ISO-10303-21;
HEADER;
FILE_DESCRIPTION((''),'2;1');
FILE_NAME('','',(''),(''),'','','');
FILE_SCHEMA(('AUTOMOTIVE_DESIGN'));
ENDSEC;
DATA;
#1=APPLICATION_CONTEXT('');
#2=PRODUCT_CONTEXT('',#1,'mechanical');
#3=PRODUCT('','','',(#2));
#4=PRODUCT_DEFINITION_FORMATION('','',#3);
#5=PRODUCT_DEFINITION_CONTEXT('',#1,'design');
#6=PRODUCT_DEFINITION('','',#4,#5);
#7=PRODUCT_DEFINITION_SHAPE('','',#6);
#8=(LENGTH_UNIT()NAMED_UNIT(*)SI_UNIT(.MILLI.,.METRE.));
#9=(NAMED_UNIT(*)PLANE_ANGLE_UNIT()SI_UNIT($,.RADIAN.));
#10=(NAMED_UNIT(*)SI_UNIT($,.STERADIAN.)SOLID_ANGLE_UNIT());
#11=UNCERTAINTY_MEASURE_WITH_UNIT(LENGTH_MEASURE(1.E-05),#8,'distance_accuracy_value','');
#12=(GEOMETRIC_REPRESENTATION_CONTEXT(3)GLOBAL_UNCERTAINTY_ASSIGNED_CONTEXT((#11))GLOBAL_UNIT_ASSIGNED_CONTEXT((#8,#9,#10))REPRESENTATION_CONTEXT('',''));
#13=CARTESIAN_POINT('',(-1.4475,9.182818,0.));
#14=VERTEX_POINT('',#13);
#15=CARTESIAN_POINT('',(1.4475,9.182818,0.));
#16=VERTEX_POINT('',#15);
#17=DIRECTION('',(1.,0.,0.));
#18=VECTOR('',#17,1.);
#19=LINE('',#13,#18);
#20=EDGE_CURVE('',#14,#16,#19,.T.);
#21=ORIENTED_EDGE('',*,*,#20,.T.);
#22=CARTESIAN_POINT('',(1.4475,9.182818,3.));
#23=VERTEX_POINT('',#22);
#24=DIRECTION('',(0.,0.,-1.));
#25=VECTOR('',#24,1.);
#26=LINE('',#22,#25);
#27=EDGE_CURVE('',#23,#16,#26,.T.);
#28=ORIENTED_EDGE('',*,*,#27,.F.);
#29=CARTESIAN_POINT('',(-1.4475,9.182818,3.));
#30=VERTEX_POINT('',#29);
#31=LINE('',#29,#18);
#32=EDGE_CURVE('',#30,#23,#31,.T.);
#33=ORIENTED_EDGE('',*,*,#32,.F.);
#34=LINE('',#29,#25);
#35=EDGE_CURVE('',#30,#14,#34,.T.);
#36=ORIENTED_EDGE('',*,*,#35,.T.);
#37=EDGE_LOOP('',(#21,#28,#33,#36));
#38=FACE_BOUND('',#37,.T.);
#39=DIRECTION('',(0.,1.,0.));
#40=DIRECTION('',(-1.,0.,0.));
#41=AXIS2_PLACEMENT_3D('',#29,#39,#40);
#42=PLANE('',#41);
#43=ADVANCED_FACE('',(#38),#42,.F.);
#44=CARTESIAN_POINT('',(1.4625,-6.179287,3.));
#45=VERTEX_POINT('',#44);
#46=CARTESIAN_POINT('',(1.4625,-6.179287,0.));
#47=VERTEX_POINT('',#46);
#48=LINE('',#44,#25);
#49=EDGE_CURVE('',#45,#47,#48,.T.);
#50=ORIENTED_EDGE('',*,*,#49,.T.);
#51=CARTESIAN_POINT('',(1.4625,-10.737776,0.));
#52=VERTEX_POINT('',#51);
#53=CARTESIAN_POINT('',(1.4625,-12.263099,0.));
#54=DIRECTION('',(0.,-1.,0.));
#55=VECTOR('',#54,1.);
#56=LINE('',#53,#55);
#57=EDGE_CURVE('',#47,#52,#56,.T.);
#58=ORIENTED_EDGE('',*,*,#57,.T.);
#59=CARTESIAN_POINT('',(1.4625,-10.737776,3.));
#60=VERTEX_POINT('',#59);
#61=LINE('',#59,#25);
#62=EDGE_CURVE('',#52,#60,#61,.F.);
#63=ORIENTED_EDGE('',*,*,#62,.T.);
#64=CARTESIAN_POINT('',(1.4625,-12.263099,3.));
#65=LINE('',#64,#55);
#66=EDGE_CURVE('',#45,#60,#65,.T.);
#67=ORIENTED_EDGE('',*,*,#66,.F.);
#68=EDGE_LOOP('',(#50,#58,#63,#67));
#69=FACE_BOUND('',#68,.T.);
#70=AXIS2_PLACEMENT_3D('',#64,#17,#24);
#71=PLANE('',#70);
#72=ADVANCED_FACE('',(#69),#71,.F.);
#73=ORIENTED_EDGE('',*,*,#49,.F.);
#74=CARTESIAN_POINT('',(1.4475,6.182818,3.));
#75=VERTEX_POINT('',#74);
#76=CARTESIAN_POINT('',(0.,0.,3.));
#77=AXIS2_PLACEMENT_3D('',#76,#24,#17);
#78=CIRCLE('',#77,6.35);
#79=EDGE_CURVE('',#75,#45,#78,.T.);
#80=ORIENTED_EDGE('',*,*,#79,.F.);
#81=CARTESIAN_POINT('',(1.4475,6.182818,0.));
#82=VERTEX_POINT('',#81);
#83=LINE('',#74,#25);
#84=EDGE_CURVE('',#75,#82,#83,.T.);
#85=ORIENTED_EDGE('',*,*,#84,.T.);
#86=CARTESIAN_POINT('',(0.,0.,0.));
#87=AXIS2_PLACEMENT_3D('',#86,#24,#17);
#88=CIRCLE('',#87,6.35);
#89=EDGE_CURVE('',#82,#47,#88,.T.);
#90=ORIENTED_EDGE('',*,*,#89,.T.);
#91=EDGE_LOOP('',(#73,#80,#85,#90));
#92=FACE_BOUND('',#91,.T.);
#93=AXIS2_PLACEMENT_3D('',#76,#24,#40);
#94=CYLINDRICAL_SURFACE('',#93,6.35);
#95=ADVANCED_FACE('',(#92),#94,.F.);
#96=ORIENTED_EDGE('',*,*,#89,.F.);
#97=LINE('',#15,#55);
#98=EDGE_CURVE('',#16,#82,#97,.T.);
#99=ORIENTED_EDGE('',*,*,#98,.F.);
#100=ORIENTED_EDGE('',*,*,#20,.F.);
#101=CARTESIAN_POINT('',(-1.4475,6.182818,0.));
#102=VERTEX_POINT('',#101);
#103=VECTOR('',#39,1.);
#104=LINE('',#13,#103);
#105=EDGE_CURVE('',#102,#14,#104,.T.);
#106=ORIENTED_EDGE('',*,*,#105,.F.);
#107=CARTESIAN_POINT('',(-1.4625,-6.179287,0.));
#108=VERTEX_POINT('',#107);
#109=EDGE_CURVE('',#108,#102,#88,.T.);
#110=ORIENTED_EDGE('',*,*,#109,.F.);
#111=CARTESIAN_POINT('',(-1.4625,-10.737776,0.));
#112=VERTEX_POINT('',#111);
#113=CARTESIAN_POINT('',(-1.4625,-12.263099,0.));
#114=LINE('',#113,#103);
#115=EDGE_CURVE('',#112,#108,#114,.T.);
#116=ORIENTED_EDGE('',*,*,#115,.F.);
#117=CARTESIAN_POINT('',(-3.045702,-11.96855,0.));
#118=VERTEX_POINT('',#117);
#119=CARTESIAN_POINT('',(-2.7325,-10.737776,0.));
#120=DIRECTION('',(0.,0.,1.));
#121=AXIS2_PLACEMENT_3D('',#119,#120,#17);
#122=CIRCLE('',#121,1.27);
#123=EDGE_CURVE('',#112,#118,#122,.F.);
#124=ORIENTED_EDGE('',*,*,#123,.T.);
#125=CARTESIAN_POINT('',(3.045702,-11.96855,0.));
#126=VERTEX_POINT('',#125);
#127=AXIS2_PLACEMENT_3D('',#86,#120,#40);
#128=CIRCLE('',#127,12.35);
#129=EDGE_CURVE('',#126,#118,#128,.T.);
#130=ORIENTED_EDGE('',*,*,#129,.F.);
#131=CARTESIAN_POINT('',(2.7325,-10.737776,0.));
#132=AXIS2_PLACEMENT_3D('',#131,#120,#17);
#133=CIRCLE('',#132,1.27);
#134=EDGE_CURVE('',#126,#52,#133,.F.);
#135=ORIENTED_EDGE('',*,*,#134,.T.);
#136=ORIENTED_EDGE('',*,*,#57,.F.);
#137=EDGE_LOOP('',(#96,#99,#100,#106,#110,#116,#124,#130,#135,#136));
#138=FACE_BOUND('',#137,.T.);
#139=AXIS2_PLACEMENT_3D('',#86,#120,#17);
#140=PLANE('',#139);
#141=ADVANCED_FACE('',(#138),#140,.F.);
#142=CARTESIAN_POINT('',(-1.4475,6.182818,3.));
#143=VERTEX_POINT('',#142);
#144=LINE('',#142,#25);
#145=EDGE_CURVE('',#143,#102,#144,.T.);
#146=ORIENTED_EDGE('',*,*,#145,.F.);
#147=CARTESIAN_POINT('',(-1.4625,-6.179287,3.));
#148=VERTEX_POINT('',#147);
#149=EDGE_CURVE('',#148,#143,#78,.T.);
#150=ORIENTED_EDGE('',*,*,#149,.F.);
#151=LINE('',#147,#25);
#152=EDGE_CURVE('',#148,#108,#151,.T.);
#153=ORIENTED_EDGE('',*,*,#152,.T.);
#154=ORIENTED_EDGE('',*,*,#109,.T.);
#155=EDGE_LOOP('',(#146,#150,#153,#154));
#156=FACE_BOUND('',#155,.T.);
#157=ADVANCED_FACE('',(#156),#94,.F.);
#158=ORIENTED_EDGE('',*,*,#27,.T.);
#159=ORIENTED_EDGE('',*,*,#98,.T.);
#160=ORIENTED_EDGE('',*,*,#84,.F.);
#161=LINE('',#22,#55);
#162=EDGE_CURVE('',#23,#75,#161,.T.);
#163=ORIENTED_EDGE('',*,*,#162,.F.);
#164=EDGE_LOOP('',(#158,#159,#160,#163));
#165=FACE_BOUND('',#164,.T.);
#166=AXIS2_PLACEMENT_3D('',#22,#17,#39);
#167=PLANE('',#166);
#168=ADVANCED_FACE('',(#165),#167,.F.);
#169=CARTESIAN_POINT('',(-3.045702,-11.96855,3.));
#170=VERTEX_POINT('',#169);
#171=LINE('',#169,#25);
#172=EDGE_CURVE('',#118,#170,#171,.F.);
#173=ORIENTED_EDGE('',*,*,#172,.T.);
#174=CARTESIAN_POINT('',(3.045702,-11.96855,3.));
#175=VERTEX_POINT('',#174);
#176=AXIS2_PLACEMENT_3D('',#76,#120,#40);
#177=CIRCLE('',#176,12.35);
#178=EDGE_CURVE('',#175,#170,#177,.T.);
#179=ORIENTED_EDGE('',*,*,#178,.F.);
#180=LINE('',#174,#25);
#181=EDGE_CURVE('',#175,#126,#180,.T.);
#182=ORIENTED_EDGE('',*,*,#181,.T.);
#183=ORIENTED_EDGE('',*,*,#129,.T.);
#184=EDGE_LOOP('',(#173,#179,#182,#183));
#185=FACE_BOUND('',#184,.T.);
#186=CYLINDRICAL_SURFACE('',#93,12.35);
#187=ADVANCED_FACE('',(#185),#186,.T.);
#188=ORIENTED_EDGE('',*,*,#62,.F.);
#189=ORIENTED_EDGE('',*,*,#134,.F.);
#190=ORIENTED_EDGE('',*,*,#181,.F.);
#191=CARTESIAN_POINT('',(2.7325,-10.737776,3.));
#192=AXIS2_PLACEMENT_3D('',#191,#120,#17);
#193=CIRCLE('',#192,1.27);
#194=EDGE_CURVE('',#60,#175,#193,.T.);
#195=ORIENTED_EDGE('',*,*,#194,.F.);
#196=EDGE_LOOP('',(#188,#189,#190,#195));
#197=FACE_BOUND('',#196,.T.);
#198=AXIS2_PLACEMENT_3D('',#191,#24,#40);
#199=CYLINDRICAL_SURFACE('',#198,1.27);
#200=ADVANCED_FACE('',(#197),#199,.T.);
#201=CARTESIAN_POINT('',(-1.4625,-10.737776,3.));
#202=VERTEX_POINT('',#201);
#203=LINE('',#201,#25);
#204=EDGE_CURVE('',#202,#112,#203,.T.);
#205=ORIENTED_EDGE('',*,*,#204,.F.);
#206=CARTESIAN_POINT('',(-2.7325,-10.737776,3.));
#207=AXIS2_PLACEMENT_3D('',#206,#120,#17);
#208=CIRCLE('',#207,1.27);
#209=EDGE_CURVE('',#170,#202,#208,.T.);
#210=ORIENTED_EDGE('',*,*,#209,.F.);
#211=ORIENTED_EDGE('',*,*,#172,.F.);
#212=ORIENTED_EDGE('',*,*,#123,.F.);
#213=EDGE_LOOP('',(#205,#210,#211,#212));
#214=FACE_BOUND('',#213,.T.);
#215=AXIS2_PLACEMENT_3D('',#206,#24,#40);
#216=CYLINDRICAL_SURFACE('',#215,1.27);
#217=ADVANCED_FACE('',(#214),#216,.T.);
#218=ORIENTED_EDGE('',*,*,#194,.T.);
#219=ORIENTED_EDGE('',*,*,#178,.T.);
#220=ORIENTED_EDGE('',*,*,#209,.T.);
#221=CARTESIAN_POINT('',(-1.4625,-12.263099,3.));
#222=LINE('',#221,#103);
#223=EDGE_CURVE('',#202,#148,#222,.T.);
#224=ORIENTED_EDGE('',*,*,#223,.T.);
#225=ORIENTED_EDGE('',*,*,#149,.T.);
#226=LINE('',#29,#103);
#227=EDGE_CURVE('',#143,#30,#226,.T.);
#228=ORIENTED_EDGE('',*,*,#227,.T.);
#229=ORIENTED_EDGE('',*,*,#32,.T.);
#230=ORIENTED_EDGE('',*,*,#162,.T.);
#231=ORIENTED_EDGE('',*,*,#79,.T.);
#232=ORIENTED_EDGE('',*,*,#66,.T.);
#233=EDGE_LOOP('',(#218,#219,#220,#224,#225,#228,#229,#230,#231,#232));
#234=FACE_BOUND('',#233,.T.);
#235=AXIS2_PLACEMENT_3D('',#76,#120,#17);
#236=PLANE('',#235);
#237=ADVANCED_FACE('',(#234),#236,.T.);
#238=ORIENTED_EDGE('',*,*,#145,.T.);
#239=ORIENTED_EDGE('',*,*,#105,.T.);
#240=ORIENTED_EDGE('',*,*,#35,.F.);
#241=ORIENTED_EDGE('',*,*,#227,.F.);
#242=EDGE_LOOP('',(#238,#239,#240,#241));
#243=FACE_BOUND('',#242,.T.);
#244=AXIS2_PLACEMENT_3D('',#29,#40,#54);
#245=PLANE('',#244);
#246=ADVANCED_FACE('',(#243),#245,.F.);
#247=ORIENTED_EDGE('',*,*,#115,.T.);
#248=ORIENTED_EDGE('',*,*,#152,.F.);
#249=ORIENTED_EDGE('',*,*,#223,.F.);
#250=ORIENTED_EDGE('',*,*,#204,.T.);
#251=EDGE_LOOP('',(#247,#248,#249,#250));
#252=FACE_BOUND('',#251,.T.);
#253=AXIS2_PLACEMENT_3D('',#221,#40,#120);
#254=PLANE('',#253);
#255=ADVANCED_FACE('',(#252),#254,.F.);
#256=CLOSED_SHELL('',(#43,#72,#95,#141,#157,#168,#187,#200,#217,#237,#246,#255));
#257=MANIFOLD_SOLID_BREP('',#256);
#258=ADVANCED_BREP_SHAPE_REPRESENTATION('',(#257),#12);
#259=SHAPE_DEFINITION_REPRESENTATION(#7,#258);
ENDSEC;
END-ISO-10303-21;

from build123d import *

# Parameters (mm, degrees)
EXTRUDE_1_DEPTH = 3
FILLET_1_R      = 1.27


with BuildPart() as part:
    # 스케치1 → 보스-돌출1 (new body)
    with BuildSketch(Plane.XY):
        with BuildLine():
            Line((-1.4475, 9.182818431), (1.4475, 9.182818431))
            Line((1.4475, 9.182818431), (1.4475, 6.182818431))
            ThreePointArc((1.4475, 6.182818431), (6.349995325, 0.007704992), (1.4625, -6.179287479))
            Line((1.4625, -6.179287479), (1.4625, -12.263098864))
            ThreePointArc((1.4625, -12.263098864), (0, 12.35), (-1.4625, -12.263098864))
            Line((-1.4625, -12.263098864), (-1.4625, -6.179287479))
            ThreePointArc((-1.4625, -6.179287479), (-6.349995325, 0.007704992), (-1.4475, 6.182818431))
            Line((-1.4475, 6.182818431), (-1.4475, 9.182818431))
        make_face()
    extrude(amount=EXTRUDE_1_DEPTH)

    # 필렛1
    fillet_1_edges = [part.edges().sort_by_distance(p)[0] for p in [
        (-1.4625, -12.263098864, 1.5),
        (1.4625, -12.263098864, 1.5),
    ]]
    fillet(fillet_1_edges, radius=FILLET_1_R)


solid = part.part
